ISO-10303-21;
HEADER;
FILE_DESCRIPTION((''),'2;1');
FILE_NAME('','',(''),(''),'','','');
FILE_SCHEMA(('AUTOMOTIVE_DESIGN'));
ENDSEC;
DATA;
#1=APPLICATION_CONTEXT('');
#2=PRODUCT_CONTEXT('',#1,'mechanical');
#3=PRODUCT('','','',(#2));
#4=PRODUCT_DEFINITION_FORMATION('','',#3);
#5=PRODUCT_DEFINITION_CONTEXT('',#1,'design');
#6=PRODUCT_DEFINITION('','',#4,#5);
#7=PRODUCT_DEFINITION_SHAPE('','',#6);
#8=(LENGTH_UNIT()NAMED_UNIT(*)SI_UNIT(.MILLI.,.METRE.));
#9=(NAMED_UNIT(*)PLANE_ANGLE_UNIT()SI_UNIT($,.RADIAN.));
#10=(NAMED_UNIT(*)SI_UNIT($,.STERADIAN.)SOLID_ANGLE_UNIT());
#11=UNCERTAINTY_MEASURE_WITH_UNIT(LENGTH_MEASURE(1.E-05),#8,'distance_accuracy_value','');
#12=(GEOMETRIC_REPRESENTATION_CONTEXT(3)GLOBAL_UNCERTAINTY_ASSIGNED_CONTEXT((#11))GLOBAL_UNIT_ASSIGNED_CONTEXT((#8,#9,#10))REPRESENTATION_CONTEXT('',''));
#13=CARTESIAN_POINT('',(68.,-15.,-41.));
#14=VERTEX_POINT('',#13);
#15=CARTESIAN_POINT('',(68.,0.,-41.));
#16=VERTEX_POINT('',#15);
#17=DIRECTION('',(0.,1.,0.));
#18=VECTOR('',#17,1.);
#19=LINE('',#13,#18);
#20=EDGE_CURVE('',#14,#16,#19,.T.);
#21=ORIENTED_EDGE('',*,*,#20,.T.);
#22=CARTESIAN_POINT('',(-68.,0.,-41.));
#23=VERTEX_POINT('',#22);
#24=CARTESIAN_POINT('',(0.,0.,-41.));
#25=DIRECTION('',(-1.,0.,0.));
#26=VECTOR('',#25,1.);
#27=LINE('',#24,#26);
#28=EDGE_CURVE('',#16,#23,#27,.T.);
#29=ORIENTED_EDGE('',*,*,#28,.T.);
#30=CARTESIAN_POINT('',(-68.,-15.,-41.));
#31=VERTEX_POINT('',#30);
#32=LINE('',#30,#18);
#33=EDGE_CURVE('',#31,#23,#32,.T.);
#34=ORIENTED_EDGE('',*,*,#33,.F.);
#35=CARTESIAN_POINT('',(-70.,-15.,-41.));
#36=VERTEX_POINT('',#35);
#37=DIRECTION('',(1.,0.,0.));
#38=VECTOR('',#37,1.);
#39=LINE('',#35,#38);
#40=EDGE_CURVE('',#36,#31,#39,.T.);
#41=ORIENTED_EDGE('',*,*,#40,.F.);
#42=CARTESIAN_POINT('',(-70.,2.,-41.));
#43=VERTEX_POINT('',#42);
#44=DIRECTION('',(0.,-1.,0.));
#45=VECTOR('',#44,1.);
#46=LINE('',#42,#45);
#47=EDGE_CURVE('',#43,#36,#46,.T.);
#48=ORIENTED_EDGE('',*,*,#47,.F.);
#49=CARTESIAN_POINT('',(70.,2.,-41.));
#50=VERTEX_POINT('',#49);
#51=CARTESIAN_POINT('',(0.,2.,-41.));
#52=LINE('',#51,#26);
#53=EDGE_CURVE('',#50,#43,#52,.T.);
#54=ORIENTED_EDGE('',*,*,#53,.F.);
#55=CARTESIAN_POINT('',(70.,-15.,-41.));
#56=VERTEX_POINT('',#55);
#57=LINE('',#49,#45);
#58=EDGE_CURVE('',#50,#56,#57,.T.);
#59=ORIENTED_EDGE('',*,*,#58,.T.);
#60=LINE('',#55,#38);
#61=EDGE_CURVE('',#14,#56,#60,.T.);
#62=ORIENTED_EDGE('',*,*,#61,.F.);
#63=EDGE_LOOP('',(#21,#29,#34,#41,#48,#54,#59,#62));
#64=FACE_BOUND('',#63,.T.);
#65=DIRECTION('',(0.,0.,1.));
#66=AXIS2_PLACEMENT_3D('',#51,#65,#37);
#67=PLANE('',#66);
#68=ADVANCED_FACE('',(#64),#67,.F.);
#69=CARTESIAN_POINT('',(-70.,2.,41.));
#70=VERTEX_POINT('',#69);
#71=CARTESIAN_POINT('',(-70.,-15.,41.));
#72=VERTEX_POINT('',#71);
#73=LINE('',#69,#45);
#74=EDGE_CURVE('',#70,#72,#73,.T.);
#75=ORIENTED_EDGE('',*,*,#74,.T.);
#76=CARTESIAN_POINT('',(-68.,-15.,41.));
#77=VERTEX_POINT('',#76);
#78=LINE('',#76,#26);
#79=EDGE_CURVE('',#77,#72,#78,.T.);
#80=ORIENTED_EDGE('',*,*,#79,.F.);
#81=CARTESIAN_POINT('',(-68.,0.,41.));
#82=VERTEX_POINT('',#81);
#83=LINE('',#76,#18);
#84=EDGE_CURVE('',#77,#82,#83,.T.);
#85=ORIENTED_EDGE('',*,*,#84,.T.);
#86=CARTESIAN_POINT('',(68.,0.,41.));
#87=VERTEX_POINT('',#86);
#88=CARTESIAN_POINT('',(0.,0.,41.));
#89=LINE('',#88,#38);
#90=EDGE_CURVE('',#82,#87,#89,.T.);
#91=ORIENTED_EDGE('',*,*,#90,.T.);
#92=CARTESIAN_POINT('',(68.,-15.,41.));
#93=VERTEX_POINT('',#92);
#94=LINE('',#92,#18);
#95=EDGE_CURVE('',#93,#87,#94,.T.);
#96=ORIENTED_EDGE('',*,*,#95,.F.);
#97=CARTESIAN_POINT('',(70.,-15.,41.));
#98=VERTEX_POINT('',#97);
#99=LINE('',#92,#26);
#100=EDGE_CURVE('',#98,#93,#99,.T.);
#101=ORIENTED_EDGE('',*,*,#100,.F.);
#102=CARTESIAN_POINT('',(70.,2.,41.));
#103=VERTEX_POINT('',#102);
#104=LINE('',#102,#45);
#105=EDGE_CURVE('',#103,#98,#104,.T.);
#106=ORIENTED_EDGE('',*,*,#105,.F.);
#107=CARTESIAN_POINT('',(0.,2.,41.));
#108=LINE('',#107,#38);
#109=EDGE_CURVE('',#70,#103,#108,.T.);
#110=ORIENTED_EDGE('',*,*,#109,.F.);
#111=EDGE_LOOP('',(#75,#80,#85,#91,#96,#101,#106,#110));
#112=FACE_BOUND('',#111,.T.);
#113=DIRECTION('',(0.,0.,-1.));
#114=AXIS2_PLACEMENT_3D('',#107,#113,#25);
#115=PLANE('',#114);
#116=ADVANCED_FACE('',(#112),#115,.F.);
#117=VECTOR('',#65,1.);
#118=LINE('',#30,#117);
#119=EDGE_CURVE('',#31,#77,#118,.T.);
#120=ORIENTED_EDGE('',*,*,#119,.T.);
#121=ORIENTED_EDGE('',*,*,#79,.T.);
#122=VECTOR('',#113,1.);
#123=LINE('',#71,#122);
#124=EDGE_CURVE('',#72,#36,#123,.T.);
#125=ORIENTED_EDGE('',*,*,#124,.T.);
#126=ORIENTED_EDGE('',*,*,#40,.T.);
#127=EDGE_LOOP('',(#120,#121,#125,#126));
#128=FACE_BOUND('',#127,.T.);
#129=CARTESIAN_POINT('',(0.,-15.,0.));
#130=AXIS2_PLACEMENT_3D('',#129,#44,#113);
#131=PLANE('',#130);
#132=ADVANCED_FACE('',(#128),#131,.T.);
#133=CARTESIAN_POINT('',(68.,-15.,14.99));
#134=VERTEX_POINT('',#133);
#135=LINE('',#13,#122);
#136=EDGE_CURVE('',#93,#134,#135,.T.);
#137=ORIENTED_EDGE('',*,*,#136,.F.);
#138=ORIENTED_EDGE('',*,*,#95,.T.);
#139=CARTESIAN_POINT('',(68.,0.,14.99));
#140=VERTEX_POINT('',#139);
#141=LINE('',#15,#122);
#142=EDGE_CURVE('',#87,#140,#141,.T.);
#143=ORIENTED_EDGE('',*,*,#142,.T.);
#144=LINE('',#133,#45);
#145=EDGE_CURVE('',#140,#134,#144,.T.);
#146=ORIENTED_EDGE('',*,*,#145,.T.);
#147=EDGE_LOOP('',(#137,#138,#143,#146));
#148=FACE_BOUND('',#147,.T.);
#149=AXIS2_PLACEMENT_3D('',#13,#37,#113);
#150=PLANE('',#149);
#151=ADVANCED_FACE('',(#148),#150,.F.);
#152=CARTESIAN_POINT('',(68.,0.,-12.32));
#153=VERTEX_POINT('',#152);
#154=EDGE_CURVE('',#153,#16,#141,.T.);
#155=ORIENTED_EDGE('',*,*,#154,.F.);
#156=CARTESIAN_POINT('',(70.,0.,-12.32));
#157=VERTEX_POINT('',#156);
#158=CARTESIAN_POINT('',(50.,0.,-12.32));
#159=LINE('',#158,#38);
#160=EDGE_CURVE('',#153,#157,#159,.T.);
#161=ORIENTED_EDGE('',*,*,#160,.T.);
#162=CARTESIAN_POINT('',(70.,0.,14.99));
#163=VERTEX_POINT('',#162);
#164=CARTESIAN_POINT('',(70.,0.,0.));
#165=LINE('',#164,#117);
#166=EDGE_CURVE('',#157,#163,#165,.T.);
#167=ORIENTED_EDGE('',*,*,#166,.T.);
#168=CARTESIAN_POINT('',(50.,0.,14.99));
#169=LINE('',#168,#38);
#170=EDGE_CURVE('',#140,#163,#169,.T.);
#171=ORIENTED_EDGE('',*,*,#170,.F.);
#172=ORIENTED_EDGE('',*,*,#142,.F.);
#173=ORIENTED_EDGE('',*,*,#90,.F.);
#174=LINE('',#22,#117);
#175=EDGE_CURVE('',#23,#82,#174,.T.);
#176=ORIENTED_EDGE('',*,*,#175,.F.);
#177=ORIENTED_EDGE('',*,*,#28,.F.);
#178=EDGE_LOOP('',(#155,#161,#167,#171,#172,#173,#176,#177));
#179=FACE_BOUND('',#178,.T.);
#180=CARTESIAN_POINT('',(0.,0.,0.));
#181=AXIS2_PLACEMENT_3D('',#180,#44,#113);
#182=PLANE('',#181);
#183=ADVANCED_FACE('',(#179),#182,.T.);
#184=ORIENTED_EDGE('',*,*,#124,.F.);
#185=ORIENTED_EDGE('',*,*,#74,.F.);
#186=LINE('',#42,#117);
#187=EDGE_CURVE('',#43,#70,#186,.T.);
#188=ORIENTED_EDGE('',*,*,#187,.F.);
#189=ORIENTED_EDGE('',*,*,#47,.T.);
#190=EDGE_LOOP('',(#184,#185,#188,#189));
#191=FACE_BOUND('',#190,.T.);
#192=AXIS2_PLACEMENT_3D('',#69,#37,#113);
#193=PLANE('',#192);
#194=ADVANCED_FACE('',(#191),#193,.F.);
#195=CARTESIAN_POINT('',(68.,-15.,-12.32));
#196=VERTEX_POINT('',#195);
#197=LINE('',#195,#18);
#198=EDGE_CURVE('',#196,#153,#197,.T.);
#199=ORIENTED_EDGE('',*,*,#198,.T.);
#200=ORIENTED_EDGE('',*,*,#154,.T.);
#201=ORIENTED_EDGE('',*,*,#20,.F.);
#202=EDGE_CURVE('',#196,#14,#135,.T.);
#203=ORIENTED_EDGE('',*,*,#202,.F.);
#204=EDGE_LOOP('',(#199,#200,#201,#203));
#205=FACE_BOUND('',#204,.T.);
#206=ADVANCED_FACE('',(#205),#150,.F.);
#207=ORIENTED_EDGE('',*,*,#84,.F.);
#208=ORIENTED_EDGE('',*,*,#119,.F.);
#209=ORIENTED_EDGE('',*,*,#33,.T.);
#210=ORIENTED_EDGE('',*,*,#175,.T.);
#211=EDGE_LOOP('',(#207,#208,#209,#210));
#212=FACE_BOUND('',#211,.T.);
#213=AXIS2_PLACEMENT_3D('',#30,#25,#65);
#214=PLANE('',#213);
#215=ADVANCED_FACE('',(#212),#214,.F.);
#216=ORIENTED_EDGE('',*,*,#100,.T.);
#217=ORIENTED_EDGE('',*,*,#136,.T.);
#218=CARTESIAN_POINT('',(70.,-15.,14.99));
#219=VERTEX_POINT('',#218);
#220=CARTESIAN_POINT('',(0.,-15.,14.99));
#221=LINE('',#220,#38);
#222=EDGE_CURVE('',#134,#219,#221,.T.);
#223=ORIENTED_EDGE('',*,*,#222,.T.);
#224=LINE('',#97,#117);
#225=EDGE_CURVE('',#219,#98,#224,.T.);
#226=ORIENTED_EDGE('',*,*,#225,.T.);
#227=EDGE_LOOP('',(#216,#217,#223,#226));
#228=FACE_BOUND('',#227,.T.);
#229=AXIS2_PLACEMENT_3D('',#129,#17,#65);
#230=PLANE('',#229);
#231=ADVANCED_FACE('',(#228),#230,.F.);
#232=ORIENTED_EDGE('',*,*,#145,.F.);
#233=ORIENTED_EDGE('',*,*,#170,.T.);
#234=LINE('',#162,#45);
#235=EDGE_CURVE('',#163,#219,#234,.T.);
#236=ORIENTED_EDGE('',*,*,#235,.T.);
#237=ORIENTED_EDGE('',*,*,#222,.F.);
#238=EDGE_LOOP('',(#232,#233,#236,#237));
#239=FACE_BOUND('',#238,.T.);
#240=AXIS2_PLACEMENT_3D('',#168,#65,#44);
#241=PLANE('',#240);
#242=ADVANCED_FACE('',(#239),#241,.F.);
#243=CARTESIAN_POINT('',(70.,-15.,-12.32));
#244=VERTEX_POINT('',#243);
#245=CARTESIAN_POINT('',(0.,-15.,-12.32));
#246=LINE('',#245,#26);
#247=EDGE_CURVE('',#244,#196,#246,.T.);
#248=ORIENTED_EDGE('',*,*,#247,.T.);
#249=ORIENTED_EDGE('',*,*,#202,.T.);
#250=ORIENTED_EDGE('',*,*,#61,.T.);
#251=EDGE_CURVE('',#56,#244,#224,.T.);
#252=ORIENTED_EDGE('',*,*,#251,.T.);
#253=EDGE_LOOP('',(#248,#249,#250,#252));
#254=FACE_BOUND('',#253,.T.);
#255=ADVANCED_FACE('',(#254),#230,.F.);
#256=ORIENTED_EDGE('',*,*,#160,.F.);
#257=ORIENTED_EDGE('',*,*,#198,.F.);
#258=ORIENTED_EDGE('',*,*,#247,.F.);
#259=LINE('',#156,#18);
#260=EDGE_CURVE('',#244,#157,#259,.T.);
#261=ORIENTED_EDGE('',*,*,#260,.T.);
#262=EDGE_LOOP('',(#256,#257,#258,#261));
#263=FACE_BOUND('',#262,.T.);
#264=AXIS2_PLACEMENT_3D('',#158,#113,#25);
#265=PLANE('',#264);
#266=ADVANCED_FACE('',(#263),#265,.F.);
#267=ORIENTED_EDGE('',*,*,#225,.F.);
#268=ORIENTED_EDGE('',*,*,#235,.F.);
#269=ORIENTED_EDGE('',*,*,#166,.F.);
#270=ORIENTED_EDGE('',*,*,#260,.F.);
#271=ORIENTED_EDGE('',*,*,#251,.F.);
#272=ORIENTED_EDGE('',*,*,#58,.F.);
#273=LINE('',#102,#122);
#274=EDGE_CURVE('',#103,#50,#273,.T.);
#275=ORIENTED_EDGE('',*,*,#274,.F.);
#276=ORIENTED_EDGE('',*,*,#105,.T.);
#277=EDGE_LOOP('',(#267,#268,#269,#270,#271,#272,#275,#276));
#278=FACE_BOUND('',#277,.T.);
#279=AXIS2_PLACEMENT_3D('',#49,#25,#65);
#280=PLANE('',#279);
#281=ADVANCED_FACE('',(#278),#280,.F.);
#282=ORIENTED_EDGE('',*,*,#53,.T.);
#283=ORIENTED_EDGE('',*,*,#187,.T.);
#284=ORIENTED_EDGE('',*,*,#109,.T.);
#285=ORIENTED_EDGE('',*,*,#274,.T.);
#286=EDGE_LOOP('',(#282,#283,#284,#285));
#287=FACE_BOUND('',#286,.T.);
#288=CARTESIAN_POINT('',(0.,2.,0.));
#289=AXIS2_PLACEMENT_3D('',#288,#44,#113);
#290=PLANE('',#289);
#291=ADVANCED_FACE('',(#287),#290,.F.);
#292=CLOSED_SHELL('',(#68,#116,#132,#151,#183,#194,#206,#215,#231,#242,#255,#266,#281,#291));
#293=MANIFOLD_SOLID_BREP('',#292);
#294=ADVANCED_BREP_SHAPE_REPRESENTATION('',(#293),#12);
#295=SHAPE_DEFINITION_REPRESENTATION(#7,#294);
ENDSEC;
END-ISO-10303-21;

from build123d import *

# Parameters (mm, degrees)
EXTRUDE_1_DEPTH     = 2
SKETCH_2_W          = 2
SKETCH_2_H          = 82
EXTRUDE_2_DEPTH     = 15
CUT_EXTRUDE_2_DEPTH = 20


with BuildPart() as part:
    # 草图1 → 凸台-拉伸1 (new body)
    with BuildSketch(Plane(origin=(0, 0, 0), x_dir=(1, 0, 0), z_dir=(0, 1, 0))):
        Polygon((0, -41), (70, -41), (70, -6.017578489), (70, 41), (0, 41), (-70, 41), (-70, 0), (-70, -41), align=None)
    extrude(amount=EXTRUDE_1_DEPTH)

    # 草图2 → 凸台-拉伸2 (add)
    with BuildSketch(Plane.XZ):
        with Locations((-69, 0)):
            Rectangle(SKETCH_2_W, SKETCH_2_H)
        with Locations((69, 0)):
            Rectangle(SKETCH_2_W, SKETCH_2_H)
    extrude(amount=EXTRUDE_2_DEPTH)

    # 草图4 → 切除-拉伸2 (cut)
    with BuildSketch(Plane(origin=(70, 0, 0), x_dir=(0, 0, -1), z_dir=(1, 0, 0))):
        Polygon((0, 0), (-14.99, 0), (-14.99, -15), (12.32, -15), (12.32, 0), align=None)
    extrude(amount=-CUT_EXTRUDE_2_DEPTH, mode=Mode.SUBTRACT)


solid = part.part
